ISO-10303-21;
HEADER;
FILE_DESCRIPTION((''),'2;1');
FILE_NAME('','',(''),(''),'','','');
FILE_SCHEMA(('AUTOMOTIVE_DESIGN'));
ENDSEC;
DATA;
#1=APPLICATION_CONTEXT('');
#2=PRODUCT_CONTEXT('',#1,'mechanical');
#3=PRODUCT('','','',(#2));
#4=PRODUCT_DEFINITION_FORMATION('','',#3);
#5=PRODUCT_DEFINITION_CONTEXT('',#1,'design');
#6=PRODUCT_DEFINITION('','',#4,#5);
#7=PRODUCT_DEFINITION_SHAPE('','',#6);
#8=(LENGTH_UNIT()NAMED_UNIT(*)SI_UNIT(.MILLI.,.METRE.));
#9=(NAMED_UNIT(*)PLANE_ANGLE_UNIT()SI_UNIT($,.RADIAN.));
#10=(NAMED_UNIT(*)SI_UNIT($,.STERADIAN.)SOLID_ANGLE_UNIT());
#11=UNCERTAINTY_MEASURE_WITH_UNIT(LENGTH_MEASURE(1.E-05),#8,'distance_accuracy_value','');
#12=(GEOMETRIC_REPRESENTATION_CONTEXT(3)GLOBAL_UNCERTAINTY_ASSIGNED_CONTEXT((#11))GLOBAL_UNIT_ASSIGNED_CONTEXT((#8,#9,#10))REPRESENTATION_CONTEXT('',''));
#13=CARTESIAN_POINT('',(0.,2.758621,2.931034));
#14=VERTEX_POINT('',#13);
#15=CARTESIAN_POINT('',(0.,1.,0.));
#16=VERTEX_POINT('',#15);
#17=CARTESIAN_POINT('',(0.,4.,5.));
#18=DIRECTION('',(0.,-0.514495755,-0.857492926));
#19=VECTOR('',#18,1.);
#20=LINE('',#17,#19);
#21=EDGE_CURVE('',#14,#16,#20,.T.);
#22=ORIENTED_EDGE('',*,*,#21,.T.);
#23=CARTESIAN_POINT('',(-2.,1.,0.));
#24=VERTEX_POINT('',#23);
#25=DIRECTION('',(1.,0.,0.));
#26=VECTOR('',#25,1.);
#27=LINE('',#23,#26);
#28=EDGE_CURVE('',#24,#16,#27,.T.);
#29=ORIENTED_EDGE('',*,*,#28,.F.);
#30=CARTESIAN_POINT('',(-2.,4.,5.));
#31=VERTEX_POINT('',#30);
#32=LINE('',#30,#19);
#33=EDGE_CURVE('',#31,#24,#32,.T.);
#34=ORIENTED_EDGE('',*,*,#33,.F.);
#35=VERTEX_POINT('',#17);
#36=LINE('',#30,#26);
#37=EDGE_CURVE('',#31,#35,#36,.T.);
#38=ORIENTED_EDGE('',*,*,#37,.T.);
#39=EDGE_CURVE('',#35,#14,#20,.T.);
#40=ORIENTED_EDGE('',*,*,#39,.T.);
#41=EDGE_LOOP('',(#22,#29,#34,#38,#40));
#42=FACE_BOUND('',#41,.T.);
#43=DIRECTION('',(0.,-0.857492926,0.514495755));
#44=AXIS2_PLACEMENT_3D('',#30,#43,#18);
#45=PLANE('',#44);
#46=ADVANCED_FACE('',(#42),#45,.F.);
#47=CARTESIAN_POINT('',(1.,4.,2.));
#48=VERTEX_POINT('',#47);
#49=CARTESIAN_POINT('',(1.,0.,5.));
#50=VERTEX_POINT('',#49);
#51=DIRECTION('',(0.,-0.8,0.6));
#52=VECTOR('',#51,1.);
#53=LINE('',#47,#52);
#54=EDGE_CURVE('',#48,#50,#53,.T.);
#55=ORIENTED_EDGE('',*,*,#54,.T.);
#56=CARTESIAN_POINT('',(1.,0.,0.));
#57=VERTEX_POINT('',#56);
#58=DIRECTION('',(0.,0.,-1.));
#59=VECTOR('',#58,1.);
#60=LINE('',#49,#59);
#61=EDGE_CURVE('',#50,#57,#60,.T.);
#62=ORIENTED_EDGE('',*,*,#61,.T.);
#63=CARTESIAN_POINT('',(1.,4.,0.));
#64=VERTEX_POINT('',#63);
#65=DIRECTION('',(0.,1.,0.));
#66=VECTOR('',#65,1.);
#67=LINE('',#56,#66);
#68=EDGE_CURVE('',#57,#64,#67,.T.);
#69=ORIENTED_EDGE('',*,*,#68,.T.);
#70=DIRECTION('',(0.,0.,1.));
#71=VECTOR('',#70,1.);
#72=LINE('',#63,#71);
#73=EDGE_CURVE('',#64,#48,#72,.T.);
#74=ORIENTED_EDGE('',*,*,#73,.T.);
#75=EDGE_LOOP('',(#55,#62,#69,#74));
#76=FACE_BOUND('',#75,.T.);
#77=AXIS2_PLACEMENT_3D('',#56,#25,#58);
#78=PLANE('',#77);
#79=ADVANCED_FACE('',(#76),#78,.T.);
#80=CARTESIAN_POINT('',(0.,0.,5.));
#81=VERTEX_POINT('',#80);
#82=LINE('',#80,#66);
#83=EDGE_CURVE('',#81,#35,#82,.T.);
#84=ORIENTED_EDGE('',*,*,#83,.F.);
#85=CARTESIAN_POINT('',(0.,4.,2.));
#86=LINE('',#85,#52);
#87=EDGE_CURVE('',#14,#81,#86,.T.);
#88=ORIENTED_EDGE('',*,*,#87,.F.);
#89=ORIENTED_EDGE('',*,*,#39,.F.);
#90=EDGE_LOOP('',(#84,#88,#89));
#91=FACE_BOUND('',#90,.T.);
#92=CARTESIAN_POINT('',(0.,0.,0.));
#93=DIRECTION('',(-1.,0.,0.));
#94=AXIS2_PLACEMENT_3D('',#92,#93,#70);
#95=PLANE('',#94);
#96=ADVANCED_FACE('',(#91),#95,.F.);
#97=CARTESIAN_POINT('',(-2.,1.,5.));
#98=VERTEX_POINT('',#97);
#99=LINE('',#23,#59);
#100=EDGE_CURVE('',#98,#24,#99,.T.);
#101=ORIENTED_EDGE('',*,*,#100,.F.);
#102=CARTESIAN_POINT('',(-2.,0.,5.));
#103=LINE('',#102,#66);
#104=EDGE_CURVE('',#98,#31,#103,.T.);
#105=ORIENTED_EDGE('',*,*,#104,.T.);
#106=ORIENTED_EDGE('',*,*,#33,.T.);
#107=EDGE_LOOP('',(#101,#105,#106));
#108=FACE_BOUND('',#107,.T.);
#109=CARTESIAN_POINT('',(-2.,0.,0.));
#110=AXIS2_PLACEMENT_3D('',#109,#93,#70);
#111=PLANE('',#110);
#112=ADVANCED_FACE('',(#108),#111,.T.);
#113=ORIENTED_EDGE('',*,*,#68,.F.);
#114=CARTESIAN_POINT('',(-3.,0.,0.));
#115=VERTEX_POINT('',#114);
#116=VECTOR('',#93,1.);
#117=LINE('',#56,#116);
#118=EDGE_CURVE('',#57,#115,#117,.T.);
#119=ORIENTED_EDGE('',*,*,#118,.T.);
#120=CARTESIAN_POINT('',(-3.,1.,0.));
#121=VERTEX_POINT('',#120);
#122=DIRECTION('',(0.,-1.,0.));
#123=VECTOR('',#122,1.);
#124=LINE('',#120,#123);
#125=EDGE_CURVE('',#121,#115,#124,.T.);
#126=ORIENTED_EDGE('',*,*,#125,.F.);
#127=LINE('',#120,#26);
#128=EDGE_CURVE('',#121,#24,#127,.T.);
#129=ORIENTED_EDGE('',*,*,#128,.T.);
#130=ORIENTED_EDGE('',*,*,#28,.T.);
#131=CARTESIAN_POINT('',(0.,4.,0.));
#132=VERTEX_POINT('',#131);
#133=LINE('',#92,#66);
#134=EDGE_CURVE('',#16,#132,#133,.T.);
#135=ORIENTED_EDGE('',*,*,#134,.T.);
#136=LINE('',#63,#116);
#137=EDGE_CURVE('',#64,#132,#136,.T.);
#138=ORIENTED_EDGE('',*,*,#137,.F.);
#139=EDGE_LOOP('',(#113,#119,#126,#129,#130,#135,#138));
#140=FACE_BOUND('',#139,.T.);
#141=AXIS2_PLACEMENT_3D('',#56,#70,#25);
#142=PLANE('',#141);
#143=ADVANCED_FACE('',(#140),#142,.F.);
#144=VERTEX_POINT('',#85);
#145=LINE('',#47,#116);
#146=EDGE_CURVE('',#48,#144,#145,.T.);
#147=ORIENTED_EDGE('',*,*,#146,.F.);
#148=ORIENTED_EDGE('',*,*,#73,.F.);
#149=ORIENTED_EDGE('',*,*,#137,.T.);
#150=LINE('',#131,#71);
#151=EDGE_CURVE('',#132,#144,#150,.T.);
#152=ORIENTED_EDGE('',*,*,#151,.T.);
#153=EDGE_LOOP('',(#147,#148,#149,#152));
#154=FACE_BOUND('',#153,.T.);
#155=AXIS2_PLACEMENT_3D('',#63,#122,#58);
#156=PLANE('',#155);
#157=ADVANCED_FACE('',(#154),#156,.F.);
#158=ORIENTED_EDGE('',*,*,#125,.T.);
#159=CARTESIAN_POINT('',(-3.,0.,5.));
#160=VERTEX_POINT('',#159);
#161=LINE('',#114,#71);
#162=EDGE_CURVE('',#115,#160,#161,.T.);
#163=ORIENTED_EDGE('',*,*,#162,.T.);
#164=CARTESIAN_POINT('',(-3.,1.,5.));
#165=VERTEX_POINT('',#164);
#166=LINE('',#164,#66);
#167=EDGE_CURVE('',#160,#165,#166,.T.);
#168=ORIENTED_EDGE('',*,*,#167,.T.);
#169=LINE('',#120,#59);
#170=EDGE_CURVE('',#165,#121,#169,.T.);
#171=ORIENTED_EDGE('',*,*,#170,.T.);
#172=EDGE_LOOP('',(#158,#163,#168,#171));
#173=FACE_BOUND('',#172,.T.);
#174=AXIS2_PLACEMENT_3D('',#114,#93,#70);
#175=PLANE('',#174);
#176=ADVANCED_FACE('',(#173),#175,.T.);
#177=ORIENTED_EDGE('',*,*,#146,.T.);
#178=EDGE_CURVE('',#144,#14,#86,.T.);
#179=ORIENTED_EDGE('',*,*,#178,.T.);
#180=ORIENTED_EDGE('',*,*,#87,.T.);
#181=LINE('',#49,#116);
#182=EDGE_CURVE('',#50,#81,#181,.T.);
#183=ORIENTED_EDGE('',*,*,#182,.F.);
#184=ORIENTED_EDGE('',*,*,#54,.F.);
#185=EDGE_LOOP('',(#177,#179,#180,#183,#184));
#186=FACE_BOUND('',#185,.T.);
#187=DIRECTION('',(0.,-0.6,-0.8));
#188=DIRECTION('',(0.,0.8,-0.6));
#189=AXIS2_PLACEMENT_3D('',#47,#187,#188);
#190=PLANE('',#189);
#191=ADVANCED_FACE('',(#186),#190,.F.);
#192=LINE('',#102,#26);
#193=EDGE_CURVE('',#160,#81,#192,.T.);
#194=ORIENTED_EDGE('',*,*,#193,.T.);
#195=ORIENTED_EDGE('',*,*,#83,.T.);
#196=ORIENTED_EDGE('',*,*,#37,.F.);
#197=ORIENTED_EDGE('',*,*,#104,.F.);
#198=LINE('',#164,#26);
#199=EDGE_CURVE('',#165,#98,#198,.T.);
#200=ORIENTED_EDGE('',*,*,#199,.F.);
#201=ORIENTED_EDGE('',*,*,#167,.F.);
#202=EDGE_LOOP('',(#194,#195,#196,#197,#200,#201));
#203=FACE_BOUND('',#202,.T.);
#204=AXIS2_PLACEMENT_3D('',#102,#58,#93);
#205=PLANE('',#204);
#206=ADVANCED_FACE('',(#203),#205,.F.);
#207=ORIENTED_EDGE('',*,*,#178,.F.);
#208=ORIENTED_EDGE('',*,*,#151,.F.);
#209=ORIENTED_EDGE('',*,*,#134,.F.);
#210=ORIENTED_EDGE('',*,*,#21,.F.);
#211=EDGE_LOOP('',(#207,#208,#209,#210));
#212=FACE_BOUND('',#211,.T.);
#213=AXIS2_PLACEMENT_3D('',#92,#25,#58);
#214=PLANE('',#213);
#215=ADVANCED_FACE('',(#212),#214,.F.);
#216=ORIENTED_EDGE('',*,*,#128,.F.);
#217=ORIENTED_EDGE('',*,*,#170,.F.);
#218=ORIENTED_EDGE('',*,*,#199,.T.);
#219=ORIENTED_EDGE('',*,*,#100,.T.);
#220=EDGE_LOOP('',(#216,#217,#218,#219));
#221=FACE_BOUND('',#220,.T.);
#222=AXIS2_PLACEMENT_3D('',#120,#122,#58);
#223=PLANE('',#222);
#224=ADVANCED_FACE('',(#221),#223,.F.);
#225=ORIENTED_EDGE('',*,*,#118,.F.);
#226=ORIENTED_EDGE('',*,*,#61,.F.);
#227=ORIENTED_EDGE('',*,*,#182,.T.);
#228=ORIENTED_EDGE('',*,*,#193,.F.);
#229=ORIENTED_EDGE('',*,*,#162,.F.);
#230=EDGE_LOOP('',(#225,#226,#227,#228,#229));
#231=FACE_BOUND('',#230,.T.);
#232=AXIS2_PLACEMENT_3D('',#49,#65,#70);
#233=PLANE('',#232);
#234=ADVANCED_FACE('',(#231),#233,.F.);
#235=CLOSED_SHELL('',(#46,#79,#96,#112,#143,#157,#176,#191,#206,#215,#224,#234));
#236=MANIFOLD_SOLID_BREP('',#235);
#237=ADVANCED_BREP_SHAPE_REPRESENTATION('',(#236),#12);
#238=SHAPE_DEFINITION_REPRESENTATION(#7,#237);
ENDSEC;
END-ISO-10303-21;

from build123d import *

# Parameters (mm, degrees)
BOSS_EXTRUDE1_DEPTH = 1
BOSS_EXTRUDE2_DEPTH = 2
SKETCH3_W           = 5
SKETCH3_H           = 1
BOSS_EXTRUDE3_DEPTH = 1


with BuildPart() as part:
    # Sketch1 → Boss-Extrude1 (new body)
    with BuildSketch(Plane(origin=(0, 0, 0), x_dir=(0, 0, -1), z_dir=(1, 0, 0))):
        Polygon((0, 0), (0, 4), (-2, 4), (-5, 0), align=None)
    extrude(amount=BOSS_EXTRUDE1_DEPTH)

    # Sketch2 → Boss-Extrude2 (add)
    with BuildSketch(Plane.ZY):
        Polygon((0, 0), (5, 0), (5, 4), (0, 1), align=None)
    extrude(amount=BOSS_EXTRUDE2_DEPTH)

    # Sketch3 → Boss-Extrude3 (add)
    with BuildSketch(Plane.ZY.offset(2)):
        with Locations((2.5, 0.5)):
            Rectangle(SKETCH3_W, SKETCH3_H)
    extrude(amount=BOSS_EXTRUDE3_DEPTH)


solid = part.part
